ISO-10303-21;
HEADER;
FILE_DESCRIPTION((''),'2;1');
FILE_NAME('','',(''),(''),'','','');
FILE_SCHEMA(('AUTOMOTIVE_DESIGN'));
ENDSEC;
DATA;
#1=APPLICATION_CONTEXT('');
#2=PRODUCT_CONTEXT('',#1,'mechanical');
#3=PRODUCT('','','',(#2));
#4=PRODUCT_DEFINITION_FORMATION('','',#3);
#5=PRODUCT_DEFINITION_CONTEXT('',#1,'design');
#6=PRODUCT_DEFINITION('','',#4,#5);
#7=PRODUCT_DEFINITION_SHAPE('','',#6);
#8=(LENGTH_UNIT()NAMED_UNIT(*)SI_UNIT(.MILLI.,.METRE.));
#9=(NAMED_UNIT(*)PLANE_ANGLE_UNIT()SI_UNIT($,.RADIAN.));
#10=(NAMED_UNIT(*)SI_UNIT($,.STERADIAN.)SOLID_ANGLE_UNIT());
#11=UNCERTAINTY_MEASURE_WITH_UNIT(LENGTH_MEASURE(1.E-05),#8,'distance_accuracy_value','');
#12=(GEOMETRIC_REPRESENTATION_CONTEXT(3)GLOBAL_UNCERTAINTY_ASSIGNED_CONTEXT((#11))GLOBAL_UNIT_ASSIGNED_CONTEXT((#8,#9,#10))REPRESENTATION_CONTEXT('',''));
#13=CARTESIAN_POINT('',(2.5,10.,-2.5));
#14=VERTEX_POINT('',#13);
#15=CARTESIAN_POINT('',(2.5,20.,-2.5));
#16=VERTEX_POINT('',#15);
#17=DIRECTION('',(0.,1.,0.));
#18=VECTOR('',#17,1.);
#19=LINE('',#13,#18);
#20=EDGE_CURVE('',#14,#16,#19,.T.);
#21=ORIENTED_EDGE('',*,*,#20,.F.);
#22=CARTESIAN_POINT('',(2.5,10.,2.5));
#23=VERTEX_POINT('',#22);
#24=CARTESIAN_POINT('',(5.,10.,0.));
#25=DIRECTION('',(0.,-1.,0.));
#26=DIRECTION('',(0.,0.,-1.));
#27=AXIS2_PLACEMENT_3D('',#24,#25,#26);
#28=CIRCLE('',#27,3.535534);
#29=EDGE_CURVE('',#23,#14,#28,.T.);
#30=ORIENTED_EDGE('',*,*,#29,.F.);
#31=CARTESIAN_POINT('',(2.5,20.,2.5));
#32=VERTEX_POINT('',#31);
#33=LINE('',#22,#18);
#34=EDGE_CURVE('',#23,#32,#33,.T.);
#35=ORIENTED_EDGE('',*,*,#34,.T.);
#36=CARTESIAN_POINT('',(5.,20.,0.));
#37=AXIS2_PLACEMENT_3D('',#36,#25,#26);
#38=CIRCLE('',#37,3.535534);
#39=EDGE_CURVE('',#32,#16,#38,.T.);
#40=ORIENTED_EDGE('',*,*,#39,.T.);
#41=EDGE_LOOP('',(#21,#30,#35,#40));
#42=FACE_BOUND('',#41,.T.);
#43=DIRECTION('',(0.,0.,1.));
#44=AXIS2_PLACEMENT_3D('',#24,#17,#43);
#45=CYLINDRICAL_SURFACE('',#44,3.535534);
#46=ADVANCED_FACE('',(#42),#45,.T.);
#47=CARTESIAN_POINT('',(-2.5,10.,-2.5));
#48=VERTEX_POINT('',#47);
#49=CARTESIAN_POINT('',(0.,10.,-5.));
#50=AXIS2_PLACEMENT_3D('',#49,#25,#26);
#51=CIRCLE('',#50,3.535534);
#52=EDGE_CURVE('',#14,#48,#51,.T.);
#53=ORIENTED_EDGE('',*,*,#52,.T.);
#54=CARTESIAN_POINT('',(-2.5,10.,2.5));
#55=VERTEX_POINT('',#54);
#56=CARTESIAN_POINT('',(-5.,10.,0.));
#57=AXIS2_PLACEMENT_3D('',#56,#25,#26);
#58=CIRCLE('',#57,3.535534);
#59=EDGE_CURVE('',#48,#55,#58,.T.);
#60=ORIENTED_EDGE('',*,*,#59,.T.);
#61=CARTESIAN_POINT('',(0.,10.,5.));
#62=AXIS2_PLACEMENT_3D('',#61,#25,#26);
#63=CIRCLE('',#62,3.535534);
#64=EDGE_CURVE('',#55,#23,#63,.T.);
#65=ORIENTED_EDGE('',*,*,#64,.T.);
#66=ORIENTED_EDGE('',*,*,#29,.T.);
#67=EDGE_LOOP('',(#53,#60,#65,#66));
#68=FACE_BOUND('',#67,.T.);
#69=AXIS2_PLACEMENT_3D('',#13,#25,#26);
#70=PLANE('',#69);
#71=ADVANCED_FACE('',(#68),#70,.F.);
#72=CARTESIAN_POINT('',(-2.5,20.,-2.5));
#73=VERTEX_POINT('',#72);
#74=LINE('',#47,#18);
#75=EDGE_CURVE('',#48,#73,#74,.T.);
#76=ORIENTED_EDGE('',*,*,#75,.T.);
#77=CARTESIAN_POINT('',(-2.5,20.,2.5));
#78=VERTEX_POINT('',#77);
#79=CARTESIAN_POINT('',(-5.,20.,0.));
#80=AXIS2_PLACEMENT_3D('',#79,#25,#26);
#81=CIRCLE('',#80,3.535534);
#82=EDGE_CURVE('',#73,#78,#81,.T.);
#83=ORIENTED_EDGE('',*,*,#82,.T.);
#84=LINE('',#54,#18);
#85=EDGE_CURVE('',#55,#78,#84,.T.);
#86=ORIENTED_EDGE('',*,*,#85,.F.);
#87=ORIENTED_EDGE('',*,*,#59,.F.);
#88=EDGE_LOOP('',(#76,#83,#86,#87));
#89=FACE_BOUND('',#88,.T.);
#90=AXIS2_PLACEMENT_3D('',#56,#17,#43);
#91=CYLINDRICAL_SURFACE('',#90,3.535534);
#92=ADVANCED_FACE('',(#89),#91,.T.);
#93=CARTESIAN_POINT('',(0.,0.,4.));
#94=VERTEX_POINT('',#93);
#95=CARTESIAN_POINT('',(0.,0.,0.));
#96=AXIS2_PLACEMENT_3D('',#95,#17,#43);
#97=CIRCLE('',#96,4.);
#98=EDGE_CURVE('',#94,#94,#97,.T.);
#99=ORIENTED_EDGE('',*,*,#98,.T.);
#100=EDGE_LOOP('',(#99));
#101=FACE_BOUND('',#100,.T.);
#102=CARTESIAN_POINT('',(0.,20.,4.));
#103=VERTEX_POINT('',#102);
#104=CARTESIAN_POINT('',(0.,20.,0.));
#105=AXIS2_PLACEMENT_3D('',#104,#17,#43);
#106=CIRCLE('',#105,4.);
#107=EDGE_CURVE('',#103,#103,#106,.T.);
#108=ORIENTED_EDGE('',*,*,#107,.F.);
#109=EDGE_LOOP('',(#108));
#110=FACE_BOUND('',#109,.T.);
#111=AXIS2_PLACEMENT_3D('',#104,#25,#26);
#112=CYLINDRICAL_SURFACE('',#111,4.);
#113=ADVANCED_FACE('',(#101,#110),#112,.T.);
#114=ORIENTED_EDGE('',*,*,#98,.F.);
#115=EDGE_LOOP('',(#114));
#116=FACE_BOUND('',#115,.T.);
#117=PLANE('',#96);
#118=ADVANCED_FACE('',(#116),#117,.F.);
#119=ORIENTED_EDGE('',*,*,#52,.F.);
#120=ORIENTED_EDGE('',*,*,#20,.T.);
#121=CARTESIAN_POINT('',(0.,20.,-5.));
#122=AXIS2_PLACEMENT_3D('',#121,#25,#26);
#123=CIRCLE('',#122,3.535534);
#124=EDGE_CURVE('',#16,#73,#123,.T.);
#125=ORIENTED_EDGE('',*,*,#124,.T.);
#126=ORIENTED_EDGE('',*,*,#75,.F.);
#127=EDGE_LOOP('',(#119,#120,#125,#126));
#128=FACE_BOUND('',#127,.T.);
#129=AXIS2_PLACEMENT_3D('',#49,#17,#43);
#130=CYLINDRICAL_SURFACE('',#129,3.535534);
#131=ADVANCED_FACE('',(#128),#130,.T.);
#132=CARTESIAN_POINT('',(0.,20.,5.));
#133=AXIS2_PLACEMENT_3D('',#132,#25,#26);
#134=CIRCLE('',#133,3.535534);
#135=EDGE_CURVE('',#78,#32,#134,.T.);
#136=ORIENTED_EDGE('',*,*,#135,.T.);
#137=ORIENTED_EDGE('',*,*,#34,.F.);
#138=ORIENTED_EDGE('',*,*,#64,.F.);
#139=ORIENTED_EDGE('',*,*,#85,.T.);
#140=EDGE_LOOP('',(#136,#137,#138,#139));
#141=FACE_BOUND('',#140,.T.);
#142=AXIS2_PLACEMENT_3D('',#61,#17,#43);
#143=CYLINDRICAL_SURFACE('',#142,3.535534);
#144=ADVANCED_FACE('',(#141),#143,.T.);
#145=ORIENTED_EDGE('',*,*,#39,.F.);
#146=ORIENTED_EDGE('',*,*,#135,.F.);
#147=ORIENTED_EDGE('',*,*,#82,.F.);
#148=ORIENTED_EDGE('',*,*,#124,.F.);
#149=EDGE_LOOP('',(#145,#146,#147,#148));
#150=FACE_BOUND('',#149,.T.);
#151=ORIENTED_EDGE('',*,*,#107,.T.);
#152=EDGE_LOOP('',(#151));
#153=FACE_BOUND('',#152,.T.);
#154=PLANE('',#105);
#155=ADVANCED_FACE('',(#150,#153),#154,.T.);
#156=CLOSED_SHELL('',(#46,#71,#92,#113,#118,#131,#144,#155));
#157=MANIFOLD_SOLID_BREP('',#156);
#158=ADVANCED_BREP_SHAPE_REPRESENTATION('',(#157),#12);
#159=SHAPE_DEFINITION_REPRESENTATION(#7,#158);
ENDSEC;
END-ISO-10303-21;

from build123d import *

# Parameters (mm, degrees)
SKETCH1_R           = 4
BOSS_EXTRUDE1_DEPTH = 20
CUT_EXTRUDE1_DEPTH  = 10


with BuildPart() as part:
    # Sketch1 → Boss-Extrude1 (new body)
    with BuildSketch(Plane(origin=(0, 0, 0), x_dir=(1, 0, 0), z_dir=(0, 1, 0))):
        with Locations(Location((0, 0, 0), (0, 0, 270))):
            Circle(SKETCH1_R)
    extrude(amount=BOSS_EXTRUDE1_DEPTH)

    # Sketch2 → Cut-Extrude1 (cut)
    with BuildSketch(Plane(origin=(0, 20, 0), x_dir=(1, 0, 0), z_dir=(0, 1, 0))):
        with BuildLine():
            ThreePointArc((2.5, 2.5), (0, 1.464466094), (-2.5, 2.5))
            ThreePointArc((-2.5, 2.5), (-1.464466094, 0), (-2.5, -2.5))
            ThreePointArc((-2.5, -2.5), (0, -1.464466094), (2.5, -2.5))
            ThreePointArc((2.5, -2.5), (1.464466094, 0), (2.5, 2.5))
        make_face()
    extrude(amount=-CUT_EXTRUDE1_DEPTH, mode=Mode.SUBTRACT)


solid = part.part
